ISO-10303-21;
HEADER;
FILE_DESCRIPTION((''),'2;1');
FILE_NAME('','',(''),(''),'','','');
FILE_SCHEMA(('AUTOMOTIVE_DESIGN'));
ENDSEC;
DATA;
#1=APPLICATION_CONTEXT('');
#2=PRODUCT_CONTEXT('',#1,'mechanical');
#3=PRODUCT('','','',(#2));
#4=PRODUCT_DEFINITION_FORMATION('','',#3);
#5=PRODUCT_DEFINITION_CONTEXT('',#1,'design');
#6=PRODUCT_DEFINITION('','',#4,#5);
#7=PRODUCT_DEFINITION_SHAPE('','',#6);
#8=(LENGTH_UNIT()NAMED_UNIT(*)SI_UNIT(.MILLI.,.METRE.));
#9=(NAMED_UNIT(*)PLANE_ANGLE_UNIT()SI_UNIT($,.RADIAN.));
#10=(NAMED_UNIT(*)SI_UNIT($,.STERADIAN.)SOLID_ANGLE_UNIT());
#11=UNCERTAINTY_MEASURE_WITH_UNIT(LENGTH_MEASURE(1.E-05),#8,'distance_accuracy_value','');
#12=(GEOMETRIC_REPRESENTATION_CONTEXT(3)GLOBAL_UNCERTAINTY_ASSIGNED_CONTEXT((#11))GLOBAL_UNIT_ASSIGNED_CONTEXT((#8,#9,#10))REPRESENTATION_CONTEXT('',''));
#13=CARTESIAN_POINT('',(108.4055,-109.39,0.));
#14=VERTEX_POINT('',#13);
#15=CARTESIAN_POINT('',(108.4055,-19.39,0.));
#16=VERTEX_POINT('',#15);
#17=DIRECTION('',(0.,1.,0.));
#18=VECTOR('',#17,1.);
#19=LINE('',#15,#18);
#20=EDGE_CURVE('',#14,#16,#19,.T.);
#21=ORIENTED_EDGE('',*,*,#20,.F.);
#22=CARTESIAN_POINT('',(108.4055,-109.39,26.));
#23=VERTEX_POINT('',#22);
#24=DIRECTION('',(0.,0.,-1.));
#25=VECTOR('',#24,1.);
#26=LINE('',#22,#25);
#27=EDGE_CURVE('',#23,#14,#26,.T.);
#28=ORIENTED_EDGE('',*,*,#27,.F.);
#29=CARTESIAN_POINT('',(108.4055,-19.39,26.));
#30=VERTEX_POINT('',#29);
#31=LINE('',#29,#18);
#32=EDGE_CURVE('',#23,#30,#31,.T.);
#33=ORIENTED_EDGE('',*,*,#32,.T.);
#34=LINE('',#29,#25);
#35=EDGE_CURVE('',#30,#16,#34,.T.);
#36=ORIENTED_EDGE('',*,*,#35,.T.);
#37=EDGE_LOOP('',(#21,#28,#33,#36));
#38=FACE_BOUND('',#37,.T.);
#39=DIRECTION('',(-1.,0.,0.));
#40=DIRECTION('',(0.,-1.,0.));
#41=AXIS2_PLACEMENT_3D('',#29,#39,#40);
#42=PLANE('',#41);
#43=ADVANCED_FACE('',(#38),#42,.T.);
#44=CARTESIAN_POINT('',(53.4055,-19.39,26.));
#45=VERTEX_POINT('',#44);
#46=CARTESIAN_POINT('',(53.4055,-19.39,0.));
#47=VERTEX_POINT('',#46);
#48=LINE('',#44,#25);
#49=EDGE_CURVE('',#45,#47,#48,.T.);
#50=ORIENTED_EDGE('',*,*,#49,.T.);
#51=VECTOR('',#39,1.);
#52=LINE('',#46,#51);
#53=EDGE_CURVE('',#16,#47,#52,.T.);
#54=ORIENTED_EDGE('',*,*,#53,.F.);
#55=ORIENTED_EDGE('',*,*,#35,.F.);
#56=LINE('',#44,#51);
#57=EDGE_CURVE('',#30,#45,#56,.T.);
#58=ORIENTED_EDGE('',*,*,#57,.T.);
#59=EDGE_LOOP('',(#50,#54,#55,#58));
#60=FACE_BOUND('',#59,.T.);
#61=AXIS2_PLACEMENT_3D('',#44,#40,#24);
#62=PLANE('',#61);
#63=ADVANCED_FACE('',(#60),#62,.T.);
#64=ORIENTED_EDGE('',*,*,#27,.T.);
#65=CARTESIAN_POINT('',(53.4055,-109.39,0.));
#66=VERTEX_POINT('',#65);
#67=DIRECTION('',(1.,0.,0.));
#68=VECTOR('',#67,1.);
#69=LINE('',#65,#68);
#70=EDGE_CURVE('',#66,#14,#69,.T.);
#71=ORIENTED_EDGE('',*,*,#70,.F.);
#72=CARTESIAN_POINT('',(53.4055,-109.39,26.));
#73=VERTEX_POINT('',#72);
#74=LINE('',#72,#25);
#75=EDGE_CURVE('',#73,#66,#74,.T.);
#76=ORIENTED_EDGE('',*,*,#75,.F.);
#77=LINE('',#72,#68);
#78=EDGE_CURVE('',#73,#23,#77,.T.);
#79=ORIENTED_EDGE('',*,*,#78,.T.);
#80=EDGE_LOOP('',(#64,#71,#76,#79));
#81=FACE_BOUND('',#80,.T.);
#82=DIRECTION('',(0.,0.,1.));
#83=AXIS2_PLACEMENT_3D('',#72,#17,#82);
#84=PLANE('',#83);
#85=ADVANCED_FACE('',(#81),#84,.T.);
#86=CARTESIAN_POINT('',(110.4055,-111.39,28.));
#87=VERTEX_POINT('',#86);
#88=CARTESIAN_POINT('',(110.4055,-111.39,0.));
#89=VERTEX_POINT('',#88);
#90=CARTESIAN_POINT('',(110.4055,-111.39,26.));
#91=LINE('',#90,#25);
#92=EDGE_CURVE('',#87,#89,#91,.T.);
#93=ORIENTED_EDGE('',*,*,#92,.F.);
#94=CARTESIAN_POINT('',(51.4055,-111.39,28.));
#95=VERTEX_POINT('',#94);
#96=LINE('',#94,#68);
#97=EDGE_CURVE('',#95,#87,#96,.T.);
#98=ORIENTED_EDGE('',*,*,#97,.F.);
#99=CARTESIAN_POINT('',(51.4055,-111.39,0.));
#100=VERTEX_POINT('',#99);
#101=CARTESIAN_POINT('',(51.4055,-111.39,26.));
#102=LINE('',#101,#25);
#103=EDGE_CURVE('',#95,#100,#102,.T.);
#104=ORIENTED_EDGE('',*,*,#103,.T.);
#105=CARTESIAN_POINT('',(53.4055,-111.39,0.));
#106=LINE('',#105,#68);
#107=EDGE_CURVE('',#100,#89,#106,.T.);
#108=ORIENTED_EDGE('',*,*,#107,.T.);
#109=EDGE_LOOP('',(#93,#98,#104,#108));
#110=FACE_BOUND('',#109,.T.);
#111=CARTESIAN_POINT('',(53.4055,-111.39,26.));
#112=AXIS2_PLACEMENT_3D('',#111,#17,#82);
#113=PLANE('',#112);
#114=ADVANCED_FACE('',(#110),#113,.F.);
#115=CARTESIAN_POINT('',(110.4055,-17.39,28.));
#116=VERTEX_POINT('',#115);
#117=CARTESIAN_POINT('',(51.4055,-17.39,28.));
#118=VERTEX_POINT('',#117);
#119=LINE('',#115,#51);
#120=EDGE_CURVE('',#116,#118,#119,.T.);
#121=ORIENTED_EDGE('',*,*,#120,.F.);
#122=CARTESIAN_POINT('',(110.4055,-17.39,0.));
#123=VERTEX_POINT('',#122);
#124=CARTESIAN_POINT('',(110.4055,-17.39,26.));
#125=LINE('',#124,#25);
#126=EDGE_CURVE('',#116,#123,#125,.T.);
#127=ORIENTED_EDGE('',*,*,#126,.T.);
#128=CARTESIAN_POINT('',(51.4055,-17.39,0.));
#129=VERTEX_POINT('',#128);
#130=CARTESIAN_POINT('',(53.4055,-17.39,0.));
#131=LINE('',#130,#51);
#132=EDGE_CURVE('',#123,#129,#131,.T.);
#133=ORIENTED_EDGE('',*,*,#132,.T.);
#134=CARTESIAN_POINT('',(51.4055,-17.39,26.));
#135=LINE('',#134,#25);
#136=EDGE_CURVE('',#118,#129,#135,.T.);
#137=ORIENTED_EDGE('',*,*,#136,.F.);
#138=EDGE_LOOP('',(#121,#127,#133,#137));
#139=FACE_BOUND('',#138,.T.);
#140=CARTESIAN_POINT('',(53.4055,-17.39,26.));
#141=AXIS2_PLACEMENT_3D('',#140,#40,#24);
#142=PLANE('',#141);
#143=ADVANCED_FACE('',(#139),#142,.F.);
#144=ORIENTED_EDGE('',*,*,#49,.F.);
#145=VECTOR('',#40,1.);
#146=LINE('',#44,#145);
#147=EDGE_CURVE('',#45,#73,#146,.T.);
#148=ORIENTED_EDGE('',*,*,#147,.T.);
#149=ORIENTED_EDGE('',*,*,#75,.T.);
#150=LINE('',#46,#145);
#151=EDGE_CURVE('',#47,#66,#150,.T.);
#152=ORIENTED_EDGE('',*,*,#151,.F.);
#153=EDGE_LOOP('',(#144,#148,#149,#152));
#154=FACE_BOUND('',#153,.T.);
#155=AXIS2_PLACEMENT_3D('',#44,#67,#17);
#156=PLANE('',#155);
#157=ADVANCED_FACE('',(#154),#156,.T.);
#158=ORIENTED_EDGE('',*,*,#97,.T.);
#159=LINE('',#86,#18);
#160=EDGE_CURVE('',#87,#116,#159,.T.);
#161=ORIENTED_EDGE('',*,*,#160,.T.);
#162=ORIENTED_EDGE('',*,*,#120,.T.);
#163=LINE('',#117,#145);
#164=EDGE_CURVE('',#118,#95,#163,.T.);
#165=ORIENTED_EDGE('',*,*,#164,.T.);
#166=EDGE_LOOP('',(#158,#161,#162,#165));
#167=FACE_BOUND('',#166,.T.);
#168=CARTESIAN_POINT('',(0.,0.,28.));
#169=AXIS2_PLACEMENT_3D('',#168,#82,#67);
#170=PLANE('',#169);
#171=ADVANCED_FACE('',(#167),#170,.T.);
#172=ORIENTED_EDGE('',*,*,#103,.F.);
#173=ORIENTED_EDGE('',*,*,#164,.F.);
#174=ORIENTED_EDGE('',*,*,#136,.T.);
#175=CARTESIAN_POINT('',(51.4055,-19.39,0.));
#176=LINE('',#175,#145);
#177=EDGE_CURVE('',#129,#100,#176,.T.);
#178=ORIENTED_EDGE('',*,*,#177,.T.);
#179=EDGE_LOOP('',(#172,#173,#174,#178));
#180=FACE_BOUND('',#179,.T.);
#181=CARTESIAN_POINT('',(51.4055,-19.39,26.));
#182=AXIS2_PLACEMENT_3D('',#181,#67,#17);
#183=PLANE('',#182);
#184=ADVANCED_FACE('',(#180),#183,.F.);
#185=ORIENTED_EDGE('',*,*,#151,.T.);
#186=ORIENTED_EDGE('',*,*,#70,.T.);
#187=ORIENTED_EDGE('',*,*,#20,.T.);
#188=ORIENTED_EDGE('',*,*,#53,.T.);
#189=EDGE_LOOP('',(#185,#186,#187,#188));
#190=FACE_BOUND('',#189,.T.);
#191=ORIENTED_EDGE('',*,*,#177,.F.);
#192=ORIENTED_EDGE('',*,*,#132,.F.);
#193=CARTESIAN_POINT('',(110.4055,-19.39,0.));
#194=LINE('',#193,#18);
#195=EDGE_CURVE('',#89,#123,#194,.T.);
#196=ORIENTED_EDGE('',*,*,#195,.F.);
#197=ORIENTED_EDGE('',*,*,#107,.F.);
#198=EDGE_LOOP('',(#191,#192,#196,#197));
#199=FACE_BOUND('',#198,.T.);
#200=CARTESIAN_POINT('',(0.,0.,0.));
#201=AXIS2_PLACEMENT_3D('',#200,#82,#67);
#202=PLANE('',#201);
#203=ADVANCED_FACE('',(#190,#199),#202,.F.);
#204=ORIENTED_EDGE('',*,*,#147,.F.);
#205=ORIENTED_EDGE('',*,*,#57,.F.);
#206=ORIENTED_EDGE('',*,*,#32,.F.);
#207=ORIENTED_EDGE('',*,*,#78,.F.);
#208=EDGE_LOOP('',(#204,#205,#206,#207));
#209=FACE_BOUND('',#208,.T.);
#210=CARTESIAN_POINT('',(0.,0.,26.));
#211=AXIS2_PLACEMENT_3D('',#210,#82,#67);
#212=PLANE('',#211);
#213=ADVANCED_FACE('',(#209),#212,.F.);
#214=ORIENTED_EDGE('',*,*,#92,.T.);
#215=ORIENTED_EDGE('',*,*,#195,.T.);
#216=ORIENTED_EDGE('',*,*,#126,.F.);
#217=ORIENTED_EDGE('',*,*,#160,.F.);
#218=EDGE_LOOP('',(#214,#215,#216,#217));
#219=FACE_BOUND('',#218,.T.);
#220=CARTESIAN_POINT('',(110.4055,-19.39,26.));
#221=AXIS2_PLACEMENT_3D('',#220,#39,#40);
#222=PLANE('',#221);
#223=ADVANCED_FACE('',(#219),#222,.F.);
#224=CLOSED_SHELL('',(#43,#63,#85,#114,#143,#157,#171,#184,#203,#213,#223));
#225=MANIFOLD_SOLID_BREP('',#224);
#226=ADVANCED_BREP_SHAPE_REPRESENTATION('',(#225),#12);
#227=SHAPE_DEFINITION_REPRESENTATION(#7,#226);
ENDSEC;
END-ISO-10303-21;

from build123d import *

# Parameters (mm, degrees)
SKETCH1_W           = 59
SKETCH1_H           = 94
SKETCH1_W_2         = 55
SKETCH1_H_2         = 90
EXTRUDE_THIN1_DEPTH = 26
SKETCH2_W           = 59
SKETCH2_H           = 94
BOSS_EXTRUDE1_DEPTH = 2


with BuildPart() as part:
    # Sketch1 → Extrude-Thin1 (new body)
    with BuildSketch(Plane.XY):
        with Locations((80.9055, -64.39)):
            Rectangle(SKETCH1_W, SKETCH1_H)
        with Locations((80.9055, -64.39)):
            Rectangle(SKETCH1_W_2, SKETCH1_H_2, mode=Mode.SUBTRACT)
    extrude(amount=EXTRUDE_THIN1_DEPTH)

    # Sketch2 → Boss-Extrude1 (add)
    with BuildSketch(Plane.XY.offset(26)):
        with Locations((80.9055, -64.39)):
            Rectangle(SKETCH2_W, SKETCH2_H)
    extrude(amount=BOSS_EXTRUDE1_DEPTH)


solid = part.part
